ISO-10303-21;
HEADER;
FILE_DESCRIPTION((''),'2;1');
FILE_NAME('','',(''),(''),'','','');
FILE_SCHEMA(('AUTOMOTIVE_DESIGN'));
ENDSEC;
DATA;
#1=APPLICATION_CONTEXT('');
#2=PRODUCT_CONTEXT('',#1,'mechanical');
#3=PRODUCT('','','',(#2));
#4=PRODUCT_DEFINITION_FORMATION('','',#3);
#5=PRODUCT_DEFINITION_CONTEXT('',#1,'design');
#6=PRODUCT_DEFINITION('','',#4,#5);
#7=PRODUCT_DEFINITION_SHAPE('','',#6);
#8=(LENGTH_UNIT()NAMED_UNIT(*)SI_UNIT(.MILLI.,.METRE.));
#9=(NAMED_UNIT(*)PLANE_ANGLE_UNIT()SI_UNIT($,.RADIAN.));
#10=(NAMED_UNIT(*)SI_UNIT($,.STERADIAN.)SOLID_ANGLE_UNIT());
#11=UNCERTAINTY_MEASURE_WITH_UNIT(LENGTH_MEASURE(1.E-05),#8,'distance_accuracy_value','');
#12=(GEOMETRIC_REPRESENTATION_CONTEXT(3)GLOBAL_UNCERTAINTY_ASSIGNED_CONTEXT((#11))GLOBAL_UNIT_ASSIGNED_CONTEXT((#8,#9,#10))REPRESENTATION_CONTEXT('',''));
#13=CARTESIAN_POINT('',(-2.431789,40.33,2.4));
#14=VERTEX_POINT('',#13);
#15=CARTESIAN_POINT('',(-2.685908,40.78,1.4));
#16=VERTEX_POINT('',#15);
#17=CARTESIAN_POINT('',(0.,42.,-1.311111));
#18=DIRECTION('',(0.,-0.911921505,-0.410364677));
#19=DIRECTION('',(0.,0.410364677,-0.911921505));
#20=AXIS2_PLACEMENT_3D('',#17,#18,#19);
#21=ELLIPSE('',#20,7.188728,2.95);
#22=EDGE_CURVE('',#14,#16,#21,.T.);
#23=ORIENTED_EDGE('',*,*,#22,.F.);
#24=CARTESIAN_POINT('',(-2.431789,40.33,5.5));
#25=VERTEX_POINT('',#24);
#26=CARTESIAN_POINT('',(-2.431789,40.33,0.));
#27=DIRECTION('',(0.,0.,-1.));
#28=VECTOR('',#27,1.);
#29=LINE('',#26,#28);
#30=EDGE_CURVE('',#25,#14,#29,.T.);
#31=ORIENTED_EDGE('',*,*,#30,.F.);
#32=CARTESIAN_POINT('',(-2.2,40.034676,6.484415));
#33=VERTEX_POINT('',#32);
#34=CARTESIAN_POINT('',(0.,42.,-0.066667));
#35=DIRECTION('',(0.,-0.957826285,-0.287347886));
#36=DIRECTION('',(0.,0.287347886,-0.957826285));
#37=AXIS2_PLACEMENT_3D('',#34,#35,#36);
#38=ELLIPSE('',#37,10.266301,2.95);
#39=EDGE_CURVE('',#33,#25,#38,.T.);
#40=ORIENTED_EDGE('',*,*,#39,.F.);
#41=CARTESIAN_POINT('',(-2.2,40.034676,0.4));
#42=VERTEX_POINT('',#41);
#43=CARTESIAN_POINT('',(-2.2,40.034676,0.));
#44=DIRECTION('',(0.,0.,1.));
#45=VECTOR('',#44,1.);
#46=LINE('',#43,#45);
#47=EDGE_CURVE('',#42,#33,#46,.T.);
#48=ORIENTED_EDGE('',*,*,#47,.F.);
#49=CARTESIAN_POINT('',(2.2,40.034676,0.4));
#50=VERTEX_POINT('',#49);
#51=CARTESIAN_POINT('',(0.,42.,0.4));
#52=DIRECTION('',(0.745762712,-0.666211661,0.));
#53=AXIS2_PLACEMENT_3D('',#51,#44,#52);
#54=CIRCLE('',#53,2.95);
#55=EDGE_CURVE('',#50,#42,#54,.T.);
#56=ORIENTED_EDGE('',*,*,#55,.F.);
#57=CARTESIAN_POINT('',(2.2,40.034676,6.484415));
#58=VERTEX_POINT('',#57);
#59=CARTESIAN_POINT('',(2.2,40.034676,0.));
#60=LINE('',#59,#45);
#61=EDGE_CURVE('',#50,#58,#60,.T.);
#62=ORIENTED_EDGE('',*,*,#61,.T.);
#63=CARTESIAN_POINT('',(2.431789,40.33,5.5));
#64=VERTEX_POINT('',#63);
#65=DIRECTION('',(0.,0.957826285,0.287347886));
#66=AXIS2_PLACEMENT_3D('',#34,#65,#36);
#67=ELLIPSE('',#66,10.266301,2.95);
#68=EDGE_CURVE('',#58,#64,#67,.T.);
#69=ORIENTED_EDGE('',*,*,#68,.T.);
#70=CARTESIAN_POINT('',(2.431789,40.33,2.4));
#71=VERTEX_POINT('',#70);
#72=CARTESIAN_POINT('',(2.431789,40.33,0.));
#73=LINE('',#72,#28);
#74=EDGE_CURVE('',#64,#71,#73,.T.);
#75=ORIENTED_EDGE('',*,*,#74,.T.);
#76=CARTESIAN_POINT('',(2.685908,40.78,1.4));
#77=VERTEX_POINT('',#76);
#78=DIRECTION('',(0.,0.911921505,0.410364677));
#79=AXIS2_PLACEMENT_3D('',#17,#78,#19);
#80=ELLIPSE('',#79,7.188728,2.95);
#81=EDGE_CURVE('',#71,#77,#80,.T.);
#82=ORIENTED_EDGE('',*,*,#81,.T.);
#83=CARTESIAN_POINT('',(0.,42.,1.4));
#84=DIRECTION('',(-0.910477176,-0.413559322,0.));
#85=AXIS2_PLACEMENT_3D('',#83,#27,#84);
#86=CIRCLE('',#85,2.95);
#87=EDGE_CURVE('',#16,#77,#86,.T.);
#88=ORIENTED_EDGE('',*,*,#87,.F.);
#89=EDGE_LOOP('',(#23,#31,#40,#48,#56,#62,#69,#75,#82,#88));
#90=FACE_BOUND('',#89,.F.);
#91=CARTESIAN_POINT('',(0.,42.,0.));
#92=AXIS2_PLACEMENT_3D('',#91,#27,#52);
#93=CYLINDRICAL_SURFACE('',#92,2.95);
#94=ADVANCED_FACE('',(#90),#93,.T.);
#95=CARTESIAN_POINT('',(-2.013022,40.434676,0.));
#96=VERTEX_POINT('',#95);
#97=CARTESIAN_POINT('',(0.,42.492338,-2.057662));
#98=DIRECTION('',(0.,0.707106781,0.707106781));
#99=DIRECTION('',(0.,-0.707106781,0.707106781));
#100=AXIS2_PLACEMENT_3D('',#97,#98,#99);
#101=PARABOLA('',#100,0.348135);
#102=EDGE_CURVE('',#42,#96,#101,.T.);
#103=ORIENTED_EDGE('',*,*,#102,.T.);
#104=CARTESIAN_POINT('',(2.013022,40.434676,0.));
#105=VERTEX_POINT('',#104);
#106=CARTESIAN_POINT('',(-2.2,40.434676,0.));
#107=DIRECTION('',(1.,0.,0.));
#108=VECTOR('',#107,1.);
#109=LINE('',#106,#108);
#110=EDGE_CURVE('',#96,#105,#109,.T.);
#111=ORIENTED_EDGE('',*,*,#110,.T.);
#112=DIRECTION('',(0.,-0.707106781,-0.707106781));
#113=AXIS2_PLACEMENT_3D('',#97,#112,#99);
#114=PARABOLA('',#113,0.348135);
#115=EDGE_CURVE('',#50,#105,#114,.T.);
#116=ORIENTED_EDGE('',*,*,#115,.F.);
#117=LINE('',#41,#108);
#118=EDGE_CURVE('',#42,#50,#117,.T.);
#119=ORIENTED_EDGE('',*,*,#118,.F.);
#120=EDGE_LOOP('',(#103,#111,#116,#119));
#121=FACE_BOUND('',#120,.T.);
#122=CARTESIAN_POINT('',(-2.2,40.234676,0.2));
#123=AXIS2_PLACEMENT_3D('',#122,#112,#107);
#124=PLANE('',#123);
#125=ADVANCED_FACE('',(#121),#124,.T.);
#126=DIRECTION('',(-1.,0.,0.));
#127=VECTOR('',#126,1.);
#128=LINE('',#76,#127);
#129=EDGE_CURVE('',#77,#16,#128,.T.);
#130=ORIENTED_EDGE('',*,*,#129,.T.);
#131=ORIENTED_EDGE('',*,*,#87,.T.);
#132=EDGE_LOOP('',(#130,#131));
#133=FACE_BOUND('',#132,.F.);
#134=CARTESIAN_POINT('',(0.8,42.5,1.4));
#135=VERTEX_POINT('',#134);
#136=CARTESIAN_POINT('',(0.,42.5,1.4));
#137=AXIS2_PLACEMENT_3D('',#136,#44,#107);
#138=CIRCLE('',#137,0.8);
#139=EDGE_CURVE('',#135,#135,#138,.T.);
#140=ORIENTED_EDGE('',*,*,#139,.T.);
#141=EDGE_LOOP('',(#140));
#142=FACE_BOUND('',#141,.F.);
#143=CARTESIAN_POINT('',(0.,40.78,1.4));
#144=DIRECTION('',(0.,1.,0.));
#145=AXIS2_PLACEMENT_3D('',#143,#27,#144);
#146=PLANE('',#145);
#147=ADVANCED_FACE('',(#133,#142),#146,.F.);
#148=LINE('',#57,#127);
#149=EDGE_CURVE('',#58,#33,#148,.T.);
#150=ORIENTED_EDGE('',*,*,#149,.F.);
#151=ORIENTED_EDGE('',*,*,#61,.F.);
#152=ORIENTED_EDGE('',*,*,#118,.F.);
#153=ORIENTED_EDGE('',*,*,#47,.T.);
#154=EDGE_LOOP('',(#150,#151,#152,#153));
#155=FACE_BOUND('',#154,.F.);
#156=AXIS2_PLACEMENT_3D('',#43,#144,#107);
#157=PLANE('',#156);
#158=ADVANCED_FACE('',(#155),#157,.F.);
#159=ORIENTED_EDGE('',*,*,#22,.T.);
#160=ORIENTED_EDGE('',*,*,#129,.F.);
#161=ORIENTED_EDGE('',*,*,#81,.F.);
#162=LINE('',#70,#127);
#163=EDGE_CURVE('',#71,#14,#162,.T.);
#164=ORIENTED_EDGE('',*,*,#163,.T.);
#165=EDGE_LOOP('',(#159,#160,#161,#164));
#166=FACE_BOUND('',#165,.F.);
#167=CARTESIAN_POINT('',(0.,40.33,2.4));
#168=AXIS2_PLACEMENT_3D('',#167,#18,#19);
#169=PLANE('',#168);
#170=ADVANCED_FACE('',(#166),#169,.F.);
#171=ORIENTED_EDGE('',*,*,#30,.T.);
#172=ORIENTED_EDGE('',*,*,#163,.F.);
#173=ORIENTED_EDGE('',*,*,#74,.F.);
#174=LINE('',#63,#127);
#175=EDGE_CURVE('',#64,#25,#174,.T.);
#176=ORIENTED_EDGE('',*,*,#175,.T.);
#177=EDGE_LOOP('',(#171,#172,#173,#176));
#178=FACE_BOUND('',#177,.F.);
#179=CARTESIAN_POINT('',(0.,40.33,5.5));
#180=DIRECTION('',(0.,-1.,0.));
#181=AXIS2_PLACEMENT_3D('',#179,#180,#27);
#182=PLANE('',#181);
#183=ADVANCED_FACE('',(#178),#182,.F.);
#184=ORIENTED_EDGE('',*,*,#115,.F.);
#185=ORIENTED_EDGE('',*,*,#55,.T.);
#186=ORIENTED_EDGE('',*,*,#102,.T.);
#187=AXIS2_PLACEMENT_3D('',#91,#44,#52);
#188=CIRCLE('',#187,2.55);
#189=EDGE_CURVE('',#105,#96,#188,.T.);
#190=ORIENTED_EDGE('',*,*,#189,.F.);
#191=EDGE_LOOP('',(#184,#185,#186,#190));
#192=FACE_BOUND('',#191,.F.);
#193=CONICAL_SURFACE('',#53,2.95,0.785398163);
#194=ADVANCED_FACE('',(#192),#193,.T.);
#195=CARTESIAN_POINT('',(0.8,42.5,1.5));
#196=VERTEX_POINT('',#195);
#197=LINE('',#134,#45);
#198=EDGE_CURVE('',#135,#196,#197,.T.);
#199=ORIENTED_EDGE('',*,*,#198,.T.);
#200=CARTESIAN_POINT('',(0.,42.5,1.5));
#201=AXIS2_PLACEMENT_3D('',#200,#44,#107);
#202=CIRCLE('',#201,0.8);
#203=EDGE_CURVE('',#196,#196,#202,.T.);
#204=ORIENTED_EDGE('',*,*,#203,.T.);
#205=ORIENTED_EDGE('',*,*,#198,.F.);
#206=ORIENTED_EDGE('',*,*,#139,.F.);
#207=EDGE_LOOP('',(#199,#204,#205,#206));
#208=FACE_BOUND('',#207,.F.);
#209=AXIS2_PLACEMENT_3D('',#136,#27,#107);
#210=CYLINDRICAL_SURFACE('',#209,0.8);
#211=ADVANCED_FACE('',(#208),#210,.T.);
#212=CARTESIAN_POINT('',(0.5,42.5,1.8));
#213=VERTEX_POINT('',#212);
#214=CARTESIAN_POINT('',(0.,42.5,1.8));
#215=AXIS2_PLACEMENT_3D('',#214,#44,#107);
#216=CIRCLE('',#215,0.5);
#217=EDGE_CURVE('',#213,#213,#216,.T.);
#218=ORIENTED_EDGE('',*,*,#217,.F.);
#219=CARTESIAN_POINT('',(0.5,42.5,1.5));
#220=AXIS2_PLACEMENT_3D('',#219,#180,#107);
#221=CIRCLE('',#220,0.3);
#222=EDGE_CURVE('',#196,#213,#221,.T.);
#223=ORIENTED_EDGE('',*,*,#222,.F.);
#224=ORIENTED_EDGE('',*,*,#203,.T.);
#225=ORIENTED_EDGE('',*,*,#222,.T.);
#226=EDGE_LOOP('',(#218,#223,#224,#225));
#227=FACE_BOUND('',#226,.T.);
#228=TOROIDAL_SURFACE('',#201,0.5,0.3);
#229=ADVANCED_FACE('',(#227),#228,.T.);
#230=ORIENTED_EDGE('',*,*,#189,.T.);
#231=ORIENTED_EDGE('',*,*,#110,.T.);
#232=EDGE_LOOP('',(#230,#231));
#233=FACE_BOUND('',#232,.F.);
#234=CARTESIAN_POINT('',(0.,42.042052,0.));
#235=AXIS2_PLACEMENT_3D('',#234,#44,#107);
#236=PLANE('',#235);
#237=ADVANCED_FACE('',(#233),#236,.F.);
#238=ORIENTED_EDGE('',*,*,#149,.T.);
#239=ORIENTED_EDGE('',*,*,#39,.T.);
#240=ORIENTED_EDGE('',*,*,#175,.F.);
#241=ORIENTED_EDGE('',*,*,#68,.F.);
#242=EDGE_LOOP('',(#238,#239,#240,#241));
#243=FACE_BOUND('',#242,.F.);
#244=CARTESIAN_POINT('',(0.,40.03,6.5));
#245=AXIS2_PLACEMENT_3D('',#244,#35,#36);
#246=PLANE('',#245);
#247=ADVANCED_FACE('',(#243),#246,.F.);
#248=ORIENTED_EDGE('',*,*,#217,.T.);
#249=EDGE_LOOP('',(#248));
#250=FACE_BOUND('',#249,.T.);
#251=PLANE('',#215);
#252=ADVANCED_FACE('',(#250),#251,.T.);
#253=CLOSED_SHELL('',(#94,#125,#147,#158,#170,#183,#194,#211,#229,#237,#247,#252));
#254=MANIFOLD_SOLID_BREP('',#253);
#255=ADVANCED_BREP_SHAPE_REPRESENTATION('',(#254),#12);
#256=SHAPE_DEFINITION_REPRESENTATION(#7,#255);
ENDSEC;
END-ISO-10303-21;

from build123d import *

# Parameters (mm, degrees)
PAD008_DEPTH         = 6.5
POCKET007_DEPTH      = 2.951
POCKET007_DEPTH_BACK = 2.951
SKETCH023_R          = 0.8
PAD009_DEPTH         = 0.4
FILLET001_R          = 0.3
CHAMFER007_SIZE      = 0.4


with BuildPart() as part:
    # Sketch022 → Pad008 (new body)
    with BuildSketch(Plane.XY):
        with BuildLine():
            ThreePointArc((2.2, -1.9653244007), (0, 2.95), (-2.2, -1.9653244007))
            Line((-2.2, -1.9653244007), (2.2, -1.9653244007))
        make_face()
    extrude(amount=PAD008_DEPTH)

    # Sketch024 → Pocket007 (cut, two sides)
    with BuildSketch(Plane.YZ) as pocket007_sk:
        Polygon((-1.97, 6.5), (-1.67, 5.5), (-1.67, 2.4), (-1.22, 1.4), (4, 1.4), (4, 6.5), align=None)
    extrude(amount=-POCKET007_DEPTH, mode=Mode.SUBTRACT)
    extrude(pocket007_sk.sketch, amount=POCKET007_DEPTH_BACK, mode=Mode.SUBTRACT)

    # Sketch023 (on Face7 of Pocket007) → Pad009 (join)
    with BuildSketch(Plane.XY.offset(1.4)):
        with Locations((0, 0.5)):
            Circle(SKETCH023_R)
    extrude(amount=PAD009_DEPTH)

    # Fillet001
    fillet001_edges = [part.edges().sort_by_distance(p)[0] for p in [
        (-0.8, 0.5, 1.8),
    ]]
    fillet(fillet001_edges, radius=FILLET001_R)

    # Chamfer007
    chamfer007_edges = [part.edges().sort_by_distance(p)[0] for p in [
        (0, 2.95, 0),
        (0, -1.965324, 0),
    ]]
    chamfer(chamfer007_edges, length=CHAMFER007_SIZE)


with BuildPart() as part_1:
    # Body087 placement: moved
    add(part.part.moved(Location((0, 42, 0))))


solid = part_1.part
